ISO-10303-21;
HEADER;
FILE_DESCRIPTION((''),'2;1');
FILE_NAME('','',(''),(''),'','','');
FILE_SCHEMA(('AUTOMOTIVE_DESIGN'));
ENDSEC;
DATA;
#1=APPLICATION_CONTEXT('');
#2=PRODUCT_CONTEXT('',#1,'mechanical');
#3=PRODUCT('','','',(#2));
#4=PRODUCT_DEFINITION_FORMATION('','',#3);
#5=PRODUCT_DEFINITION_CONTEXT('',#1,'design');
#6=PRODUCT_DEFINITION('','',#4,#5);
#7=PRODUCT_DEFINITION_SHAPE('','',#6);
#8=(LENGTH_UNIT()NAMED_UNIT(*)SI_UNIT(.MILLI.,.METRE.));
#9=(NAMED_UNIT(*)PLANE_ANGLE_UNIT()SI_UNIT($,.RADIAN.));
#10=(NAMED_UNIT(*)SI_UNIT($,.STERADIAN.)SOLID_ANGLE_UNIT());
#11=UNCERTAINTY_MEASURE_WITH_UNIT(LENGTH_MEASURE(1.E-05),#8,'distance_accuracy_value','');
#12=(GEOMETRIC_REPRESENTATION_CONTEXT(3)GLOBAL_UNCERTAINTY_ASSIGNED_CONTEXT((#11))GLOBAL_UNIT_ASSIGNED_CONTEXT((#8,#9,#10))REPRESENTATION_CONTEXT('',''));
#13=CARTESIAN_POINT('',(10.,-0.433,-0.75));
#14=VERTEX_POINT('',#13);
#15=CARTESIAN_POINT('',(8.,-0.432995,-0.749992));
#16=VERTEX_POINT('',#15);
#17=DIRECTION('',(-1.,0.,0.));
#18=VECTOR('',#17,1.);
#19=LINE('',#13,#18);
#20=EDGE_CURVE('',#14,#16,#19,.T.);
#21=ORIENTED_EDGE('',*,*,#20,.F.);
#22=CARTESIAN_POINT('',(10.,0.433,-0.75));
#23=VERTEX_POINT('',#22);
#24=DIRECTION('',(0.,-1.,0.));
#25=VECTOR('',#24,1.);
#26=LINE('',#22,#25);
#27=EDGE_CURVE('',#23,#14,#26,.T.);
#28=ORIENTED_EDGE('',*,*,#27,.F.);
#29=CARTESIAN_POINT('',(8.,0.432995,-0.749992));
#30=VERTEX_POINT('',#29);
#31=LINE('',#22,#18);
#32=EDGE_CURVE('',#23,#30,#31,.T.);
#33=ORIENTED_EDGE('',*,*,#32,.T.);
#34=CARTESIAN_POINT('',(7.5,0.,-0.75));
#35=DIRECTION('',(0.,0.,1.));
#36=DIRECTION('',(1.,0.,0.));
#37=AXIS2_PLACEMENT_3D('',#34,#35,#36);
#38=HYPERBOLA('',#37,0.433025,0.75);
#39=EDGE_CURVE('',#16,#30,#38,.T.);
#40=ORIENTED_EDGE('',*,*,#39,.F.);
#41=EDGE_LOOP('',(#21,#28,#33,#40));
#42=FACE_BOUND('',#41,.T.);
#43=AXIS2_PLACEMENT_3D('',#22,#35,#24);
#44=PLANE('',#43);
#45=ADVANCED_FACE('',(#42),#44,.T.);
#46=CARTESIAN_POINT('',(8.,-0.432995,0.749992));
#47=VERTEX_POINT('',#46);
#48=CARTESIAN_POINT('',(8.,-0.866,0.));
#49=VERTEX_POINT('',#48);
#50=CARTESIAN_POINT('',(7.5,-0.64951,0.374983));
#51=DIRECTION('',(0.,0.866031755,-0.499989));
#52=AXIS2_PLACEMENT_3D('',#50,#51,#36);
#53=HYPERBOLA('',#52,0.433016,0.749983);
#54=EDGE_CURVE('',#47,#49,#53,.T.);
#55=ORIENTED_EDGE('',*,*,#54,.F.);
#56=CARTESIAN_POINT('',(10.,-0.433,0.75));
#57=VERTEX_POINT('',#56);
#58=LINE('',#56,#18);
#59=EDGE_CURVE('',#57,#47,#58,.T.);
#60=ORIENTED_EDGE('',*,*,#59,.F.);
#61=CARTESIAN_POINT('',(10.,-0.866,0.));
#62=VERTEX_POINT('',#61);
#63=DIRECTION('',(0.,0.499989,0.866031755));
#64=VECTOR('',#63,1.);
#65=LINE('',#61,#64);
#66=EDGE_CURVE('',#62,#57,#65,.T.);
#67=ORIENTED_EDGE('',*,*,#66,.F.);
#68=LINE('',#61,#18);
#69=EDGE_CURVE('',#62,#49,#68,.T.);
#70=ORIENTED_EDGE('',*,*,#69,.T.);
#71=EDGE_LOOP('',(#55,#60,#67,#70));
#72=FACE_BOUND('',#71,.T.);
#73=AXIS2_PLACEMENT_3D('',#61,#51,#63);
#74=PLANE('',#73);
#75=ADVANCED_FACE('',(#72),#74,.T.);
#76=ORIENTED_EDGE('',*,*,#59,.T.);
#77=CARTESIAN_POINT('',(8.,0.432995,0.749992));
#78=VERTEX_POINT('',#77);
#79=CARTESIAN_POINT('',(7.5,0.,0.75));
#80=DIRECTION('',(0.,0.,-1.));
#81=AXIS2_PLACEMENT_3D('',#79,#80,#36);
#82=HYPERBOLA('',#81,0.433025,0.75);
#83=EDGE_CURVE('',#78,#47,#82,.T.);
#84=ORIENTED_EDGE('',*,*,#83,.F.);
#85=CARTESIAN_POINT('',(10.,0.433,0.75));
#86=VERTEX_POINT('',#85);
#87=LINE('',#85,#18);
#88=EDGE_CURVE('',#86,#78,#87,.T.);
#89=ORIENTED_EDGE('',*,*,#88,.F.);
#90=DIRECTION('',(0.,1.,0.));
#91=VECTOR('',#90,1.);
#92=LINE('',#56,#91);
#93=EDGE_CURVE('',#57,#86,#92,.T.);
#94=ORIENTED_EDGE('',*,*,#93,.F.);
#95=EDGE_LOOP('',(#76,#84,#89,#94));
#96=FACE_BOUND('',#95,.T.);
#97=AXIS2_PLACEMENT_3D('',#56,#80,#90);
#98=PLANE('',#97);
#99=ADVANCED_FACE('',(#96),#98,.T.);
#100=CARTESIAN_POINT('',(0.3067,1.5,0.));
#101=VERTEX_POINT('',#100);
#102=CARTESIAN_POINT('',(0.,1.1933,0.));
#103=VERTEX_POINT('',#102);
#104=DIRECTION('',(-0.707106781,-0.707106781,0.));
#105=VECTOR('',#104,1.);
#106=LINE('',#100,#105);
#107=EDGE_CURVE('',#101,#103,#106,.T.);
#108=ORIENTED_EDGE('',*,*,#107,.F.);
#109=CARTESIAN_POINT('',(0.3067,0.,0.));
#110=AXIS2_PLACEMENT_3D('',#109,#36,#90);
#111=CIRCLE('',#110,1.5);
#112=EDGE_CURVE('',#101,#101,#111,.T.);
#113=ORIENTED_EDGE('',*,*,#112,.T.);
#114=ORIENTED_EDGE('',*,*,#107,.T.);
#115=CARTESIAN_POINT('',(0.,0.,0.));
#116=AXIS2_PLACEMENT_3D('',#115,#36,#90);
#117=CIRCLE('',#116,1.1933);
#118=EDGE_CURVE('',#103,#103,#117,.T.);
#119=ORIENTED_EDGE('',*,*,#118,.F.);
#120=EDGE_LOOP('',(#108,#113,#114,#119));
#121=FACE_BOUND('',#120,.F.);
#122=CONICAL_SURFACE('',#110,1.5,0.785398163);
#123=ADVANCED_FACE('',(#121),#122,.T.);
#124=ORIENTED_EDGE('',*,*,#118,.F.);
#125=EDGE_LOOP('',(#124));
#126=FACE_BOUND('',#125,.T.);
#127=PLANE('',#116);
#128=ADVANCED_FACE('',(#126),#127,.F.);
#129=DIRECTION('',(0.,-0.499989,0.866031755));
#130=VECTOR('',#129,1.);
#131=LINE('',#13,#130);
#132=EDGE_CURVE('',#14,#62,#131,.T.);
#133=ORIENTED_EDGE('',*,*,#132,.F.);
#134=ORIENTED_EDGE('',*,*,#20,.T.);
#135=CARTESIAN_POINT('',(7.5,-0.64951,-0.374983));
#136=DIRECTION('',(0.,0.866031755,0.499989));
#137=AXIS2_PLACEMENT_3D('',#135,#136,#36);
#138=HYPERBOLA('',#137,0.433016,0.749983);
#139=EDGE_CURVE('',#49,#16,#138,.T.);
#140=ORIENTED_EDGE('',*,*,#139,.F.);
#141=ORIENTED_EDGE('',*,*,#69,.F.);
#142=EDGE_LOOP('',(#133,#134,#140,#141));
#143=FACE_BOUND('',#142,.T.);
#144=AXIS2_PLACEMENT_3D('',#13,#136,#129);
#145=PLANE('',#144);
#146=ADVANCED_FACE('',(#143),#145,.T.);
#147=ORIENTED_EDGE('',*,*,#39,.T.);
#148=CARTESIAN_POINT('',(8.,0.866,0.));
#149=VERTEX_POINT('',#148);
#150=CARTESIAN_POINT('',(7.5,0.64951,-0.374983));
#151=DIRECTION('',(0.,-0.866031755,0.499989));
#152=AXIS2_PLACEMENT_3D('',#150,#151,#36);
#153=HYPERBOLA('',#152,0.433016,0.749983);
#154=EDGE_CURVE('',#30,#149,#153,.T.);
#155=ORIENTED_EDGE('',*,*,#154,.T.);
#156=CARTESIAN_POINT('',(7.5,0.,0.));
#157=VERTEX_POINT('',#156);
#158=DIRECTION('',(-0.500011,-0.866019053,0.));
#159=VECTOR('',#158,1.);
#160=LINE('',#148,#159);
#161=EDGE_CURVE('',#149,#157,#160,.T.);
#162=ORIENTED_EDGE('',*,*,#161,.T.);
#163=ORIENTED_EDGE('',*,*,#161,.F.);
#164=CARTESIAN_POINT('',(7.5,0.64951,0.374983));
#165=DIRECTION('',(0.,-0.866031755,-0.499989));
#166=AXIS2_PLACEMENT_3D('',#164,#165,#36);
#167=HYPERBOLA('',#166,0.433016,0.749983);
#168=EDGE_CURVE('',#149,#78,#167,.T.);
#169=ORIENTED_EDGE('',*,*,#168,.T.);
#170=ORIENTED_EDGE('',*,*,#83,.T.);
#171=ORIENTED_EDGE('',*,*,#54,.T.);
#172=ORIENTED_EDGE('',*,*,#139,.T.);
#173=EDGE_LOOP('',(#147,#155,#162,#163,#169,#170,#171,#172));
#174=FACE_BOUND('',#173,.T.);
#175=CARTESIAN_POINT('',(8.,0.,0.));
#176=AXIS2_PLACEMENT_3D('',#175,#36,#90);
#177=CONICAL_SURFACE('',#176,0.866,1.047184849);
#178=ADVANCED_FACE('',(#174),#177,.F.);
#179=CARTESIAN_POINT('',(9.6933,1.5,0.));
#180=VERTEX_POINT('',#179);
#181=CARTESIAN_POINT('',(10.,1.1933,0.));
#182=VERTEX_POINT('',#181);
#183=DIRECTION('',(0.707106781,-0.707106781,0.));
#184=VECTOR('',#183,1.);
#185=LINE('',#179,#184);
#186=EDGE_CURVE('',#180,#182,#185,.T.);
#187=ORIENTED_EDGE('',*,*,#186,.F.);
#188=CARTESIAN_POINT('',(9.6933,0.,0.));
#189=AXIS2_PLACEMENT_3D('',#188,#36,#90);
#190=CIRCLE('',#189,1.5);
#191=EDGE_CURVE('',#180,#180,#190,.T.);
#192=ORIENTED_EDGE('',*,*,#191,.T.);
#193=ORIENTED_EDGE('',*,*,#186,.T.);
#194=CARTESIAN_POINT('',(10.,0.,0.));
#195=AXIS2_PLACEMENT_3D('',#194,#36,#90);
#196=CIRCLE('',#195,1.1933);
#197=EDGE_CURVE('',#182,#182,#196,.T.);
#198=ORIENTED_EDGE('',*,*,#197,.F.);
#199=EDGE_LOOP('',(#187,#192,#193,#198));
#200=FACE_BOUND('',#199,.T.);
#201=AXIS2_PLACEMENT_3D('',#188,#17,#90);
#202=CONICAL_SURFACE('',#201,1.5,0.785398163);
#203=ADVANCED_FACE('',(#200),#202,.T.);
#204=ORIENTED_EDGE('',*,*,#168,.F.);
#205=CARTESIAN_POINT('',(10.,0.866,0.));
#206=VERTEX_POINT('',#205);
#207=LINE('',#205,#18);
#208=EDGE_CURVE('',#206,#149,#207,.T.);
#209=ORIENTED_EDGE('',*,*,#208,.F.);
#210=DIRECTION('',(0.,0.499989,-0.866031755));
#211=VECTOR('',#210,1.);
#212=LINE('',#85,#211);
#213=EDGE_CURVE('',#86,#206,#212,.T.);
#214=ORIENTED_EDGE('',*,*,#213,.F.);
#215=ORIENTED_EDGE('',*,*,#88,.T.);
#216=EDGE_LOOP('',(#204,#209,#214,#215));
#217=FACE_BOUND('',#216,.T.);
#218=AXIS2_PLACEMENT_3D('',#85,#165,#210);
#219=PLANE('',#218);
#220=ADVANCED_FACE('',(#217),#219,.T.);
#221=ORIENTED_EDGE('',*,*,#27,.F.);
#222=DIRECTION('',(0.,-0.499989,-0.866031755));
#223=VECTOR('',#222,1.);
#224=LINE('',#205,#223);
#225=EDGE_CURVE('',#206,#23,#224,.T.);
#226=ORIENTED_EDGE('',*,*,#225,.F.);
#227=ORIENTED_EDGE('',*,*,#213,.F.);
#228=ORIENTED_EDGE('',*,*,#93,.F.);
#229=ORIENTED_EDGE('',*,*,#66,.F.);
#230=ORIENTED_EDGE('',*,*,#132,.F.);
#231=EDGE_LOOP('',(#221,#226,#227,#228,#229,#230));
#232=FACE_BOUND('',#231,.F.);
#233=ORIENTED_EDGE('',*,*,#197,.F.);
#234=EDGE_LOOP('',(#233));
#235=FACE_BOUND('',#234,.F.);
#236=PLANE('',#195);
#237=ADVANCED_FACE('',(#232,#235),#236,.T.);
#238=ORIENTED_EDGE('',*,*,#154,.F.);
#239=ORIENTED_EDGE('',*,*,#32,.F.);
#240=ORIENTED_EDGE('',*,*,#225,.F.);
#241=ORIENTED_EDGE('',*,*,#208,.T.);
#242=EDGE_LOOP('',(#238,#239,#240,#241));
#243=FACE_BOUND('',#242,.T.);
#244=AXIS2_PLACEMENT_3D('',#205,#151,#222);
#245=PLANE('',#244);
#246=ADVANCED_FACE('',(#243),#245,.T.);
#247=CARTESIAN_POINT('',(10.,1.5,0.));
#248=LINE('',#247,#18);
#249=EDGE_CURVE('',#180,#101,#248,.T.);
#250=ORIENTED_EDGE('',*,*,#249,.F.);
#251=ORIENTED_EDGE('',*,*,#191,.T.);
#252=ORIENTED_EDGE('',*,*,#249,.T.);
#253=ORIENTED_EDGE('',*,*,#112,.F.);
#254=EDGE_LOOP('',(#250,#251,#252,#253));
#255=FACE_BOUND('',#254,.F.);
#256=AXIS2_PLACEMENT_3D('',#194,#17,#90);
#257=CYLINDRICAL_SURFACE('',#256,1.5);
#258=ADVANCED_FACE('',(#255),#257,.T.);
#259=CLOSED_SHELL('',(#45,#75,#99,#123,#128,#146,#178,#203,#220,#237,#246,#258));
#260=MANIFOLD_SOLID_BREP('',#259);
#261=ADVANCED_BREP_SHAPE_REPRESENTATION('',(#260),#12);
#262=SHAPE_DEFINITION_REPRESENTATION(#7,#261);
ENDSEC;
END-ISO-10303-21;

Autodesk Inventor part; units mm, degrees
ref_plane "YZ Plane" through (0, 0, 0) normal (1, 0, 0) x (0, 1, 0)
ref_plane "XZ Plane" through (0, 0, 0) normal (0, 1, 0) x (-1, 0, 0)
sketch "Skizze1" plane through (0, 0, 0) normal (0, 0, 1) x (1, 0, 0)
  line L0 (0, 0) -> (7.5, 0)
  line L1 (10, 0.866) -> (10, 1.5)
  line L2 (10, 1.5) -> (0, 1.5)
  line L3 (10, 0.866) -> (8, 0.866)
  line L4 (8, 0.866) -> (7.5, 0)
  line L5 (0, -0.3) -> (0, 1.8) projected
  line L6 (0, 1.5) -> (0, 0)
  dimension "d0" = 2
  dimension "d1" = 60
  dimension "d2" = 3
  dimension "d3" = 1.7321
  dimension "d5" = 10
revolve "Körper" add sketch "Skizze1" angle 360 about axis through (0, 0, 0) along (1, 0, 0)
sketch "Skizze2" plane through (10, 0, 0) normal (1, 0, 0) x (0, 1, 0)
  circle A0 centre (0, 0) radius 0.866 projected
  line L0 (-0.433, 0.75) -> (0.433, 0.75)
  line L1 (0.433, 0.75) -> (0.866, 0)
  line L2 (0.866, 0) -> (0.433, -0.75)
  line L3 (0.433, -0.75) -> (-0.433, -0.75)
  line L4 (-0.433, -0.75) -> (-0.866, 0)
  line L5 (-0.866, 0) -> (-0.433, 0.75)
  point P0 (0, 0)
  point P1 (0, 0)
extrude "Loch" add sketch "Skizze2" against normal up to next contours L1 A0 | A0 L2 | L0 A0 | A0 L3 | L5 A0 | A0 L4
thread "Gewinde" size "M3x0.5" class "6g" standard "ISO Metric profile" length 10
chamfer "Fase1" distance 0.3067 angle 45 1 edges at (10, -1.5, 0) measured on face at (6.6667, 1.4951, -0.1207)
chamfer "Fase2" distance 0.3067 angle 45 1 edges at (0, -1.5, 0) measured on face at (3.2311, 1.4806, -0.2406)
ref_plane "Work Plane1" through (5, 0, 0) normal (0, 0, 1) x (1, 0, 0)
equation "\"d0\" = INTI"
equation "\"d2\" = NND"
equation "\"d3\" = 1.1547 * SW"
equation "\"d5\" = NLG"
equation "\"d8\" = NLG"
equation "\"d10\" = -0.5 * GD1 + 0.5 * NND"
equation "\"d11\" = FAWI"
equation "\"d34\" = -0.5 * GD1 + 0.5 * NND"
equation "\"d12\" = -0.5 * GD1 + 0.5 * NND"
equation "\"d13\" = FAWI"
equation "\"d35\" = -0.5 * GD1 + 0.5 * NND"
equation "\"NND\" = 3"
equation "\"NLG\" = 10"
equation "\"INTI\" = 2"
equation "\"FAWI\" = 45deg"
equation "\"SW\" = 1.5"
equation "\"GD1\" = THREADDIA - 1.2269 * PTC"
equation "\"SPD\" = 2"
equation "\"GUL\" = 0.61345 * PTC"
equation "\"TOA\" = 30deg"
equation "\"THREADDIA\" = 3"
equation "\"PTC\" = 0.5"
equation "\"FAWI1\" = 45deg"
equation "\"GAL\" = 0.61345 * PTC"
equation "\"E0\" = 1.155 * SW"
properties part number "DIN 913 - M3 x 10" material "Stahl, weich"
